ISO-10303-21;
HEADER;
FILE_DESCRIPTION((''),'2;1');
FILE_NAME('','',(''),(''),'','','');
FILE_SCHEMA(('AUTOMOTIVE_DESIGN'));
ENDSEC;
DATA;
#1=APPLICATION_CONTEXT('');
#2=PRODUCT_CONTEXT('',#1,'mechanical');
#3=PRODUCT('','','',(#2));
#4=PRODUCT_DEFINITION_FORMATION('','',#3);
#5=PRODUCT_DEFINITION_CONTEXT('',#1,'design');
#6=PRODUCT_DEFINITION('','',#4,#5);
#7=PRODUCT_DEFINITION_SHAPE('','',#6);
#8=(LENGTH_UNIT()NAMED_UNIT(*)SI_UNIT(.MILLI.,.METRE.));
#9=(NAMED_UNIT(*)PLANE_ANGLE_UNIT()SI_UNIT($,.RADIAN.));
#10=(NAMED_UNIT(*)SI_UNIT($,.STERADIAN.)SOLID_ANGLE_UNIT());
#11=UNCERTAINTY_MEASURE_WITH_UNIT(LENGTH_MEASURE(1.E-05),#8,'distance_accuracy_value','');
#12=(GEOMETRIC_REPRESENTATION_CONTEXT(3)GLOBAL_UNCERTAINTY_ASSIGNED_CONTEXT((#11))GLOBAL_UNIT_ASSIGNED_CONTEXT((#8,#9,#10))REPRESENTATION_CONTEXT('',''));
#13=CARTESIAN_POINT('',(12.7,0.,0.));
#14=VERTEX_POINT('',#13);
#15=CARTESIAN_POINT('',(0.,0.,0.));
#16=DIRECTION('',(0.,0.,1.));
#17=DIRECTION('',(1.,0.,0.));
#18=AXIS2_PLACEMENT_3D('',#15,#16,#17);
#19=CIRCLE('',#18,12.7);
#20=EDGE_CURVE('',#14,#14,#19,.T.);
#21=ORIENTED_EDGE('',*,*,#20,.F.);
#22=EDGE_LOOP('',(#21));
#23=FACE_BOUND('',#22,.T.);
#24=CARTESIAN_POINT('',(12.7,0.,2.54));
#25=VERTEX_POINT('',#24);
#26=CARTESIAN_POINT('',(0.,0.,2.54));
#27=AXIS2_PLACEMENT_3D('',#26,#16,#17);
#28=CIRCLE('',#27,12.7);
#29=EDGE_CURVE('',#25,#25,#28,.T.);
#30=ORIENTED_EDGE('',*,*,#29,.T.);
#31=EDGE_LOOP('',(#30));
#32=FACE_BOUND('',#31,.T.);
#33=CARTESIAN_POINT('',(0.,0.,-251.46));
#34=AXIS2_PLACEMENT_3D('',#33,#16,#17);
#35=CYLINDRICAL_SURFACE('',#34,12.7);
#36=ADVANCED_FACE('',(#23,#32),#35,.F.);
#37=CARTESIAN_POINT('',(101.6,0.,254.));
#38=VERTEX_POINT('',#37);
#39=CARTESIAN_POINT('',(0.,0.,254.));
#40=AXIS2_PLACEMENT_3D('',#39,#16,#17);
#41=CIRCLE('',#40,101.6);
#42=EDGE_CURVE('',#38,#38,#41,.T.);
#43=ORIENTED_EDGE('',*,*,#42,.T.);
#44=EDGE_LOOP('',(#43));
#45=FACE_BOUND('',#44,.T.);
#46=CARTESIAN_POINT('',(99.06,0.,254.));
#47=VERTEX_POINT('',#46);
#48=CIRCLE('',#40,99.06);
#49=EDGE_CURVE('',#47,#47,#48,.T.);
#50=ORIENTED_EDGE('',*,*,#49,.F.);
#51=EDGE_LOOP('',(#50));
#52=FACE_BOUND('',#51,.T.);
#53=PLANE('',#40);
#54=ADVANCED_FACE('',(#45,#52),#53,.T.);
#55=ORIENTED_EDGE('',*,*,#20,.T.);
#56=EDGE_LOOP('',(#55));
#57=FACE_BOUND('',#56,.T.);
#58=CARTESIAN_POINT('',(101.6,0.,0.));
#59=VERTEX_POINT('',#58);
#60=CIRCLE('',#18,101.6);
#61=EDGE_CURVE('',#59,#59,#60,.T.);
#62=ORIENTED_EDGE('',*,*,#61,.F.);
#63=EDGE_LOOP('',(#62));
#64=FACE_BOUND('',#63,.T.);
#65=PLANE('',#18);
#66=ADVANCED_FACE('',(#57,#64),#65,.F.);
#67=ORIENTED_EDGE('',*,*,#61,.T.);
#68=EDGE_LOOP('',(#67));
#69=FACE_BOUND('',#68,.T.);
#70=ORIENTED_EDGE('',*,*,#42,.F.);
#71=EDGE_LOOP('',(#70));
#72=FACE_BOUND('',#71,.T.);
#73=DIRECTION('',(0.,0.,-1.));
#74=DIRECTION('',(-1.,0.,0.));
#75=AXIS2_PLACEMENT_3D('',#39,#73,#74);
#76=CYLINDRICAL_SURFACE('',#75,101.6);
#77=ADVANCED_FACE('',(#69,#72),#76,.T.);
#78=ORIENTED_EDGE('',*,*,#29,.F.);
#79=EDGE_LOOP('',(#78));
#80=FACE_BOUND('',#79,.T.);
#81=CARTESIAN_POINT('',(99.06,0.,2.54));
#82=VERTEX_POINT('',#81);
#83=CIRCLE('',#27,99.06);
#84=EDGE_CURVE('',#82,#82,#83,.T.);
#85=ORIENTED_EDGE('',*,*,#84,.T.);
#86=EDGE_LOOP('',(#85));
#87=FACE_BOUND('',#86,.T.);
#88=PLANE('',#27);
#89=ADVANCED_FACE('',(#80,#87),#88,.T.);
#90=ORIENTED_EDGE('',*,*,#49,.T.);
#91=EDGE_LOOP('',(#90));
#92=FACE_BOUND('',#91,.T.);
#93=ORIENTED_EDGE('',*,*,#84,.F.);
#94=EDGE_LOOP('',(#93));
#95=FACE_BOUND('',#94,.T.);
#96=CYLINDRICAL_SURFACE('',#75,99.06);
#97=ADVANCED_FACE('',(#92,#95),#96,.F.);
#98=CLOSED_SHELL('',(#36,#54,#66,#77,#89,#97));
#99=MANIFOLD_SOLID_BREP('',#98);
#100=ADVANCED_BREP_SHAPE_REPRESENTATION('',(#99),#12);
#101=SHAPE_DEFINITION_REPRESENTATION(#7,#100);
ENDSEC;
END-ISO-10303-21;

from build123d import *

# Parameters (mm, degrees)
SKETCH1_R           = 101.6
BOSS_EXTRUDE1_DEPTH = 254
SHELL1_T            = -2.54
SKETCH2_R           = 12.7
CUT_EXTRUDE1_DEPTH  = 254


with BuildPart() as part:
    # Sketch1 → Boss-Extrude1 (new body)
    with BuildSketch(Plane.XY):
        Circle(SKETCH1_R)
    extrude(amount=BOSS_EXTRUDE1_DEPTH)

    # Shell1
    shell1_openings = [part.faces().sort_by_distance(p)[0] for p in [
        (0, 0, 254),
    ]]
    offset(amount=SHELL1_T, openings=shell1_openings, kind=Kind.INTERSECTION)

    # Sketch2 → Cut-Extrude1 (cut)
    with BuildSketch(Plane.XY.offset(2.54)):
        Circle(SKETCH2_R)
    extrude(amount=-CUT_EXTRUDE1_DEPTH, mode=Mode.SUBTRACT)


solid = part.part
